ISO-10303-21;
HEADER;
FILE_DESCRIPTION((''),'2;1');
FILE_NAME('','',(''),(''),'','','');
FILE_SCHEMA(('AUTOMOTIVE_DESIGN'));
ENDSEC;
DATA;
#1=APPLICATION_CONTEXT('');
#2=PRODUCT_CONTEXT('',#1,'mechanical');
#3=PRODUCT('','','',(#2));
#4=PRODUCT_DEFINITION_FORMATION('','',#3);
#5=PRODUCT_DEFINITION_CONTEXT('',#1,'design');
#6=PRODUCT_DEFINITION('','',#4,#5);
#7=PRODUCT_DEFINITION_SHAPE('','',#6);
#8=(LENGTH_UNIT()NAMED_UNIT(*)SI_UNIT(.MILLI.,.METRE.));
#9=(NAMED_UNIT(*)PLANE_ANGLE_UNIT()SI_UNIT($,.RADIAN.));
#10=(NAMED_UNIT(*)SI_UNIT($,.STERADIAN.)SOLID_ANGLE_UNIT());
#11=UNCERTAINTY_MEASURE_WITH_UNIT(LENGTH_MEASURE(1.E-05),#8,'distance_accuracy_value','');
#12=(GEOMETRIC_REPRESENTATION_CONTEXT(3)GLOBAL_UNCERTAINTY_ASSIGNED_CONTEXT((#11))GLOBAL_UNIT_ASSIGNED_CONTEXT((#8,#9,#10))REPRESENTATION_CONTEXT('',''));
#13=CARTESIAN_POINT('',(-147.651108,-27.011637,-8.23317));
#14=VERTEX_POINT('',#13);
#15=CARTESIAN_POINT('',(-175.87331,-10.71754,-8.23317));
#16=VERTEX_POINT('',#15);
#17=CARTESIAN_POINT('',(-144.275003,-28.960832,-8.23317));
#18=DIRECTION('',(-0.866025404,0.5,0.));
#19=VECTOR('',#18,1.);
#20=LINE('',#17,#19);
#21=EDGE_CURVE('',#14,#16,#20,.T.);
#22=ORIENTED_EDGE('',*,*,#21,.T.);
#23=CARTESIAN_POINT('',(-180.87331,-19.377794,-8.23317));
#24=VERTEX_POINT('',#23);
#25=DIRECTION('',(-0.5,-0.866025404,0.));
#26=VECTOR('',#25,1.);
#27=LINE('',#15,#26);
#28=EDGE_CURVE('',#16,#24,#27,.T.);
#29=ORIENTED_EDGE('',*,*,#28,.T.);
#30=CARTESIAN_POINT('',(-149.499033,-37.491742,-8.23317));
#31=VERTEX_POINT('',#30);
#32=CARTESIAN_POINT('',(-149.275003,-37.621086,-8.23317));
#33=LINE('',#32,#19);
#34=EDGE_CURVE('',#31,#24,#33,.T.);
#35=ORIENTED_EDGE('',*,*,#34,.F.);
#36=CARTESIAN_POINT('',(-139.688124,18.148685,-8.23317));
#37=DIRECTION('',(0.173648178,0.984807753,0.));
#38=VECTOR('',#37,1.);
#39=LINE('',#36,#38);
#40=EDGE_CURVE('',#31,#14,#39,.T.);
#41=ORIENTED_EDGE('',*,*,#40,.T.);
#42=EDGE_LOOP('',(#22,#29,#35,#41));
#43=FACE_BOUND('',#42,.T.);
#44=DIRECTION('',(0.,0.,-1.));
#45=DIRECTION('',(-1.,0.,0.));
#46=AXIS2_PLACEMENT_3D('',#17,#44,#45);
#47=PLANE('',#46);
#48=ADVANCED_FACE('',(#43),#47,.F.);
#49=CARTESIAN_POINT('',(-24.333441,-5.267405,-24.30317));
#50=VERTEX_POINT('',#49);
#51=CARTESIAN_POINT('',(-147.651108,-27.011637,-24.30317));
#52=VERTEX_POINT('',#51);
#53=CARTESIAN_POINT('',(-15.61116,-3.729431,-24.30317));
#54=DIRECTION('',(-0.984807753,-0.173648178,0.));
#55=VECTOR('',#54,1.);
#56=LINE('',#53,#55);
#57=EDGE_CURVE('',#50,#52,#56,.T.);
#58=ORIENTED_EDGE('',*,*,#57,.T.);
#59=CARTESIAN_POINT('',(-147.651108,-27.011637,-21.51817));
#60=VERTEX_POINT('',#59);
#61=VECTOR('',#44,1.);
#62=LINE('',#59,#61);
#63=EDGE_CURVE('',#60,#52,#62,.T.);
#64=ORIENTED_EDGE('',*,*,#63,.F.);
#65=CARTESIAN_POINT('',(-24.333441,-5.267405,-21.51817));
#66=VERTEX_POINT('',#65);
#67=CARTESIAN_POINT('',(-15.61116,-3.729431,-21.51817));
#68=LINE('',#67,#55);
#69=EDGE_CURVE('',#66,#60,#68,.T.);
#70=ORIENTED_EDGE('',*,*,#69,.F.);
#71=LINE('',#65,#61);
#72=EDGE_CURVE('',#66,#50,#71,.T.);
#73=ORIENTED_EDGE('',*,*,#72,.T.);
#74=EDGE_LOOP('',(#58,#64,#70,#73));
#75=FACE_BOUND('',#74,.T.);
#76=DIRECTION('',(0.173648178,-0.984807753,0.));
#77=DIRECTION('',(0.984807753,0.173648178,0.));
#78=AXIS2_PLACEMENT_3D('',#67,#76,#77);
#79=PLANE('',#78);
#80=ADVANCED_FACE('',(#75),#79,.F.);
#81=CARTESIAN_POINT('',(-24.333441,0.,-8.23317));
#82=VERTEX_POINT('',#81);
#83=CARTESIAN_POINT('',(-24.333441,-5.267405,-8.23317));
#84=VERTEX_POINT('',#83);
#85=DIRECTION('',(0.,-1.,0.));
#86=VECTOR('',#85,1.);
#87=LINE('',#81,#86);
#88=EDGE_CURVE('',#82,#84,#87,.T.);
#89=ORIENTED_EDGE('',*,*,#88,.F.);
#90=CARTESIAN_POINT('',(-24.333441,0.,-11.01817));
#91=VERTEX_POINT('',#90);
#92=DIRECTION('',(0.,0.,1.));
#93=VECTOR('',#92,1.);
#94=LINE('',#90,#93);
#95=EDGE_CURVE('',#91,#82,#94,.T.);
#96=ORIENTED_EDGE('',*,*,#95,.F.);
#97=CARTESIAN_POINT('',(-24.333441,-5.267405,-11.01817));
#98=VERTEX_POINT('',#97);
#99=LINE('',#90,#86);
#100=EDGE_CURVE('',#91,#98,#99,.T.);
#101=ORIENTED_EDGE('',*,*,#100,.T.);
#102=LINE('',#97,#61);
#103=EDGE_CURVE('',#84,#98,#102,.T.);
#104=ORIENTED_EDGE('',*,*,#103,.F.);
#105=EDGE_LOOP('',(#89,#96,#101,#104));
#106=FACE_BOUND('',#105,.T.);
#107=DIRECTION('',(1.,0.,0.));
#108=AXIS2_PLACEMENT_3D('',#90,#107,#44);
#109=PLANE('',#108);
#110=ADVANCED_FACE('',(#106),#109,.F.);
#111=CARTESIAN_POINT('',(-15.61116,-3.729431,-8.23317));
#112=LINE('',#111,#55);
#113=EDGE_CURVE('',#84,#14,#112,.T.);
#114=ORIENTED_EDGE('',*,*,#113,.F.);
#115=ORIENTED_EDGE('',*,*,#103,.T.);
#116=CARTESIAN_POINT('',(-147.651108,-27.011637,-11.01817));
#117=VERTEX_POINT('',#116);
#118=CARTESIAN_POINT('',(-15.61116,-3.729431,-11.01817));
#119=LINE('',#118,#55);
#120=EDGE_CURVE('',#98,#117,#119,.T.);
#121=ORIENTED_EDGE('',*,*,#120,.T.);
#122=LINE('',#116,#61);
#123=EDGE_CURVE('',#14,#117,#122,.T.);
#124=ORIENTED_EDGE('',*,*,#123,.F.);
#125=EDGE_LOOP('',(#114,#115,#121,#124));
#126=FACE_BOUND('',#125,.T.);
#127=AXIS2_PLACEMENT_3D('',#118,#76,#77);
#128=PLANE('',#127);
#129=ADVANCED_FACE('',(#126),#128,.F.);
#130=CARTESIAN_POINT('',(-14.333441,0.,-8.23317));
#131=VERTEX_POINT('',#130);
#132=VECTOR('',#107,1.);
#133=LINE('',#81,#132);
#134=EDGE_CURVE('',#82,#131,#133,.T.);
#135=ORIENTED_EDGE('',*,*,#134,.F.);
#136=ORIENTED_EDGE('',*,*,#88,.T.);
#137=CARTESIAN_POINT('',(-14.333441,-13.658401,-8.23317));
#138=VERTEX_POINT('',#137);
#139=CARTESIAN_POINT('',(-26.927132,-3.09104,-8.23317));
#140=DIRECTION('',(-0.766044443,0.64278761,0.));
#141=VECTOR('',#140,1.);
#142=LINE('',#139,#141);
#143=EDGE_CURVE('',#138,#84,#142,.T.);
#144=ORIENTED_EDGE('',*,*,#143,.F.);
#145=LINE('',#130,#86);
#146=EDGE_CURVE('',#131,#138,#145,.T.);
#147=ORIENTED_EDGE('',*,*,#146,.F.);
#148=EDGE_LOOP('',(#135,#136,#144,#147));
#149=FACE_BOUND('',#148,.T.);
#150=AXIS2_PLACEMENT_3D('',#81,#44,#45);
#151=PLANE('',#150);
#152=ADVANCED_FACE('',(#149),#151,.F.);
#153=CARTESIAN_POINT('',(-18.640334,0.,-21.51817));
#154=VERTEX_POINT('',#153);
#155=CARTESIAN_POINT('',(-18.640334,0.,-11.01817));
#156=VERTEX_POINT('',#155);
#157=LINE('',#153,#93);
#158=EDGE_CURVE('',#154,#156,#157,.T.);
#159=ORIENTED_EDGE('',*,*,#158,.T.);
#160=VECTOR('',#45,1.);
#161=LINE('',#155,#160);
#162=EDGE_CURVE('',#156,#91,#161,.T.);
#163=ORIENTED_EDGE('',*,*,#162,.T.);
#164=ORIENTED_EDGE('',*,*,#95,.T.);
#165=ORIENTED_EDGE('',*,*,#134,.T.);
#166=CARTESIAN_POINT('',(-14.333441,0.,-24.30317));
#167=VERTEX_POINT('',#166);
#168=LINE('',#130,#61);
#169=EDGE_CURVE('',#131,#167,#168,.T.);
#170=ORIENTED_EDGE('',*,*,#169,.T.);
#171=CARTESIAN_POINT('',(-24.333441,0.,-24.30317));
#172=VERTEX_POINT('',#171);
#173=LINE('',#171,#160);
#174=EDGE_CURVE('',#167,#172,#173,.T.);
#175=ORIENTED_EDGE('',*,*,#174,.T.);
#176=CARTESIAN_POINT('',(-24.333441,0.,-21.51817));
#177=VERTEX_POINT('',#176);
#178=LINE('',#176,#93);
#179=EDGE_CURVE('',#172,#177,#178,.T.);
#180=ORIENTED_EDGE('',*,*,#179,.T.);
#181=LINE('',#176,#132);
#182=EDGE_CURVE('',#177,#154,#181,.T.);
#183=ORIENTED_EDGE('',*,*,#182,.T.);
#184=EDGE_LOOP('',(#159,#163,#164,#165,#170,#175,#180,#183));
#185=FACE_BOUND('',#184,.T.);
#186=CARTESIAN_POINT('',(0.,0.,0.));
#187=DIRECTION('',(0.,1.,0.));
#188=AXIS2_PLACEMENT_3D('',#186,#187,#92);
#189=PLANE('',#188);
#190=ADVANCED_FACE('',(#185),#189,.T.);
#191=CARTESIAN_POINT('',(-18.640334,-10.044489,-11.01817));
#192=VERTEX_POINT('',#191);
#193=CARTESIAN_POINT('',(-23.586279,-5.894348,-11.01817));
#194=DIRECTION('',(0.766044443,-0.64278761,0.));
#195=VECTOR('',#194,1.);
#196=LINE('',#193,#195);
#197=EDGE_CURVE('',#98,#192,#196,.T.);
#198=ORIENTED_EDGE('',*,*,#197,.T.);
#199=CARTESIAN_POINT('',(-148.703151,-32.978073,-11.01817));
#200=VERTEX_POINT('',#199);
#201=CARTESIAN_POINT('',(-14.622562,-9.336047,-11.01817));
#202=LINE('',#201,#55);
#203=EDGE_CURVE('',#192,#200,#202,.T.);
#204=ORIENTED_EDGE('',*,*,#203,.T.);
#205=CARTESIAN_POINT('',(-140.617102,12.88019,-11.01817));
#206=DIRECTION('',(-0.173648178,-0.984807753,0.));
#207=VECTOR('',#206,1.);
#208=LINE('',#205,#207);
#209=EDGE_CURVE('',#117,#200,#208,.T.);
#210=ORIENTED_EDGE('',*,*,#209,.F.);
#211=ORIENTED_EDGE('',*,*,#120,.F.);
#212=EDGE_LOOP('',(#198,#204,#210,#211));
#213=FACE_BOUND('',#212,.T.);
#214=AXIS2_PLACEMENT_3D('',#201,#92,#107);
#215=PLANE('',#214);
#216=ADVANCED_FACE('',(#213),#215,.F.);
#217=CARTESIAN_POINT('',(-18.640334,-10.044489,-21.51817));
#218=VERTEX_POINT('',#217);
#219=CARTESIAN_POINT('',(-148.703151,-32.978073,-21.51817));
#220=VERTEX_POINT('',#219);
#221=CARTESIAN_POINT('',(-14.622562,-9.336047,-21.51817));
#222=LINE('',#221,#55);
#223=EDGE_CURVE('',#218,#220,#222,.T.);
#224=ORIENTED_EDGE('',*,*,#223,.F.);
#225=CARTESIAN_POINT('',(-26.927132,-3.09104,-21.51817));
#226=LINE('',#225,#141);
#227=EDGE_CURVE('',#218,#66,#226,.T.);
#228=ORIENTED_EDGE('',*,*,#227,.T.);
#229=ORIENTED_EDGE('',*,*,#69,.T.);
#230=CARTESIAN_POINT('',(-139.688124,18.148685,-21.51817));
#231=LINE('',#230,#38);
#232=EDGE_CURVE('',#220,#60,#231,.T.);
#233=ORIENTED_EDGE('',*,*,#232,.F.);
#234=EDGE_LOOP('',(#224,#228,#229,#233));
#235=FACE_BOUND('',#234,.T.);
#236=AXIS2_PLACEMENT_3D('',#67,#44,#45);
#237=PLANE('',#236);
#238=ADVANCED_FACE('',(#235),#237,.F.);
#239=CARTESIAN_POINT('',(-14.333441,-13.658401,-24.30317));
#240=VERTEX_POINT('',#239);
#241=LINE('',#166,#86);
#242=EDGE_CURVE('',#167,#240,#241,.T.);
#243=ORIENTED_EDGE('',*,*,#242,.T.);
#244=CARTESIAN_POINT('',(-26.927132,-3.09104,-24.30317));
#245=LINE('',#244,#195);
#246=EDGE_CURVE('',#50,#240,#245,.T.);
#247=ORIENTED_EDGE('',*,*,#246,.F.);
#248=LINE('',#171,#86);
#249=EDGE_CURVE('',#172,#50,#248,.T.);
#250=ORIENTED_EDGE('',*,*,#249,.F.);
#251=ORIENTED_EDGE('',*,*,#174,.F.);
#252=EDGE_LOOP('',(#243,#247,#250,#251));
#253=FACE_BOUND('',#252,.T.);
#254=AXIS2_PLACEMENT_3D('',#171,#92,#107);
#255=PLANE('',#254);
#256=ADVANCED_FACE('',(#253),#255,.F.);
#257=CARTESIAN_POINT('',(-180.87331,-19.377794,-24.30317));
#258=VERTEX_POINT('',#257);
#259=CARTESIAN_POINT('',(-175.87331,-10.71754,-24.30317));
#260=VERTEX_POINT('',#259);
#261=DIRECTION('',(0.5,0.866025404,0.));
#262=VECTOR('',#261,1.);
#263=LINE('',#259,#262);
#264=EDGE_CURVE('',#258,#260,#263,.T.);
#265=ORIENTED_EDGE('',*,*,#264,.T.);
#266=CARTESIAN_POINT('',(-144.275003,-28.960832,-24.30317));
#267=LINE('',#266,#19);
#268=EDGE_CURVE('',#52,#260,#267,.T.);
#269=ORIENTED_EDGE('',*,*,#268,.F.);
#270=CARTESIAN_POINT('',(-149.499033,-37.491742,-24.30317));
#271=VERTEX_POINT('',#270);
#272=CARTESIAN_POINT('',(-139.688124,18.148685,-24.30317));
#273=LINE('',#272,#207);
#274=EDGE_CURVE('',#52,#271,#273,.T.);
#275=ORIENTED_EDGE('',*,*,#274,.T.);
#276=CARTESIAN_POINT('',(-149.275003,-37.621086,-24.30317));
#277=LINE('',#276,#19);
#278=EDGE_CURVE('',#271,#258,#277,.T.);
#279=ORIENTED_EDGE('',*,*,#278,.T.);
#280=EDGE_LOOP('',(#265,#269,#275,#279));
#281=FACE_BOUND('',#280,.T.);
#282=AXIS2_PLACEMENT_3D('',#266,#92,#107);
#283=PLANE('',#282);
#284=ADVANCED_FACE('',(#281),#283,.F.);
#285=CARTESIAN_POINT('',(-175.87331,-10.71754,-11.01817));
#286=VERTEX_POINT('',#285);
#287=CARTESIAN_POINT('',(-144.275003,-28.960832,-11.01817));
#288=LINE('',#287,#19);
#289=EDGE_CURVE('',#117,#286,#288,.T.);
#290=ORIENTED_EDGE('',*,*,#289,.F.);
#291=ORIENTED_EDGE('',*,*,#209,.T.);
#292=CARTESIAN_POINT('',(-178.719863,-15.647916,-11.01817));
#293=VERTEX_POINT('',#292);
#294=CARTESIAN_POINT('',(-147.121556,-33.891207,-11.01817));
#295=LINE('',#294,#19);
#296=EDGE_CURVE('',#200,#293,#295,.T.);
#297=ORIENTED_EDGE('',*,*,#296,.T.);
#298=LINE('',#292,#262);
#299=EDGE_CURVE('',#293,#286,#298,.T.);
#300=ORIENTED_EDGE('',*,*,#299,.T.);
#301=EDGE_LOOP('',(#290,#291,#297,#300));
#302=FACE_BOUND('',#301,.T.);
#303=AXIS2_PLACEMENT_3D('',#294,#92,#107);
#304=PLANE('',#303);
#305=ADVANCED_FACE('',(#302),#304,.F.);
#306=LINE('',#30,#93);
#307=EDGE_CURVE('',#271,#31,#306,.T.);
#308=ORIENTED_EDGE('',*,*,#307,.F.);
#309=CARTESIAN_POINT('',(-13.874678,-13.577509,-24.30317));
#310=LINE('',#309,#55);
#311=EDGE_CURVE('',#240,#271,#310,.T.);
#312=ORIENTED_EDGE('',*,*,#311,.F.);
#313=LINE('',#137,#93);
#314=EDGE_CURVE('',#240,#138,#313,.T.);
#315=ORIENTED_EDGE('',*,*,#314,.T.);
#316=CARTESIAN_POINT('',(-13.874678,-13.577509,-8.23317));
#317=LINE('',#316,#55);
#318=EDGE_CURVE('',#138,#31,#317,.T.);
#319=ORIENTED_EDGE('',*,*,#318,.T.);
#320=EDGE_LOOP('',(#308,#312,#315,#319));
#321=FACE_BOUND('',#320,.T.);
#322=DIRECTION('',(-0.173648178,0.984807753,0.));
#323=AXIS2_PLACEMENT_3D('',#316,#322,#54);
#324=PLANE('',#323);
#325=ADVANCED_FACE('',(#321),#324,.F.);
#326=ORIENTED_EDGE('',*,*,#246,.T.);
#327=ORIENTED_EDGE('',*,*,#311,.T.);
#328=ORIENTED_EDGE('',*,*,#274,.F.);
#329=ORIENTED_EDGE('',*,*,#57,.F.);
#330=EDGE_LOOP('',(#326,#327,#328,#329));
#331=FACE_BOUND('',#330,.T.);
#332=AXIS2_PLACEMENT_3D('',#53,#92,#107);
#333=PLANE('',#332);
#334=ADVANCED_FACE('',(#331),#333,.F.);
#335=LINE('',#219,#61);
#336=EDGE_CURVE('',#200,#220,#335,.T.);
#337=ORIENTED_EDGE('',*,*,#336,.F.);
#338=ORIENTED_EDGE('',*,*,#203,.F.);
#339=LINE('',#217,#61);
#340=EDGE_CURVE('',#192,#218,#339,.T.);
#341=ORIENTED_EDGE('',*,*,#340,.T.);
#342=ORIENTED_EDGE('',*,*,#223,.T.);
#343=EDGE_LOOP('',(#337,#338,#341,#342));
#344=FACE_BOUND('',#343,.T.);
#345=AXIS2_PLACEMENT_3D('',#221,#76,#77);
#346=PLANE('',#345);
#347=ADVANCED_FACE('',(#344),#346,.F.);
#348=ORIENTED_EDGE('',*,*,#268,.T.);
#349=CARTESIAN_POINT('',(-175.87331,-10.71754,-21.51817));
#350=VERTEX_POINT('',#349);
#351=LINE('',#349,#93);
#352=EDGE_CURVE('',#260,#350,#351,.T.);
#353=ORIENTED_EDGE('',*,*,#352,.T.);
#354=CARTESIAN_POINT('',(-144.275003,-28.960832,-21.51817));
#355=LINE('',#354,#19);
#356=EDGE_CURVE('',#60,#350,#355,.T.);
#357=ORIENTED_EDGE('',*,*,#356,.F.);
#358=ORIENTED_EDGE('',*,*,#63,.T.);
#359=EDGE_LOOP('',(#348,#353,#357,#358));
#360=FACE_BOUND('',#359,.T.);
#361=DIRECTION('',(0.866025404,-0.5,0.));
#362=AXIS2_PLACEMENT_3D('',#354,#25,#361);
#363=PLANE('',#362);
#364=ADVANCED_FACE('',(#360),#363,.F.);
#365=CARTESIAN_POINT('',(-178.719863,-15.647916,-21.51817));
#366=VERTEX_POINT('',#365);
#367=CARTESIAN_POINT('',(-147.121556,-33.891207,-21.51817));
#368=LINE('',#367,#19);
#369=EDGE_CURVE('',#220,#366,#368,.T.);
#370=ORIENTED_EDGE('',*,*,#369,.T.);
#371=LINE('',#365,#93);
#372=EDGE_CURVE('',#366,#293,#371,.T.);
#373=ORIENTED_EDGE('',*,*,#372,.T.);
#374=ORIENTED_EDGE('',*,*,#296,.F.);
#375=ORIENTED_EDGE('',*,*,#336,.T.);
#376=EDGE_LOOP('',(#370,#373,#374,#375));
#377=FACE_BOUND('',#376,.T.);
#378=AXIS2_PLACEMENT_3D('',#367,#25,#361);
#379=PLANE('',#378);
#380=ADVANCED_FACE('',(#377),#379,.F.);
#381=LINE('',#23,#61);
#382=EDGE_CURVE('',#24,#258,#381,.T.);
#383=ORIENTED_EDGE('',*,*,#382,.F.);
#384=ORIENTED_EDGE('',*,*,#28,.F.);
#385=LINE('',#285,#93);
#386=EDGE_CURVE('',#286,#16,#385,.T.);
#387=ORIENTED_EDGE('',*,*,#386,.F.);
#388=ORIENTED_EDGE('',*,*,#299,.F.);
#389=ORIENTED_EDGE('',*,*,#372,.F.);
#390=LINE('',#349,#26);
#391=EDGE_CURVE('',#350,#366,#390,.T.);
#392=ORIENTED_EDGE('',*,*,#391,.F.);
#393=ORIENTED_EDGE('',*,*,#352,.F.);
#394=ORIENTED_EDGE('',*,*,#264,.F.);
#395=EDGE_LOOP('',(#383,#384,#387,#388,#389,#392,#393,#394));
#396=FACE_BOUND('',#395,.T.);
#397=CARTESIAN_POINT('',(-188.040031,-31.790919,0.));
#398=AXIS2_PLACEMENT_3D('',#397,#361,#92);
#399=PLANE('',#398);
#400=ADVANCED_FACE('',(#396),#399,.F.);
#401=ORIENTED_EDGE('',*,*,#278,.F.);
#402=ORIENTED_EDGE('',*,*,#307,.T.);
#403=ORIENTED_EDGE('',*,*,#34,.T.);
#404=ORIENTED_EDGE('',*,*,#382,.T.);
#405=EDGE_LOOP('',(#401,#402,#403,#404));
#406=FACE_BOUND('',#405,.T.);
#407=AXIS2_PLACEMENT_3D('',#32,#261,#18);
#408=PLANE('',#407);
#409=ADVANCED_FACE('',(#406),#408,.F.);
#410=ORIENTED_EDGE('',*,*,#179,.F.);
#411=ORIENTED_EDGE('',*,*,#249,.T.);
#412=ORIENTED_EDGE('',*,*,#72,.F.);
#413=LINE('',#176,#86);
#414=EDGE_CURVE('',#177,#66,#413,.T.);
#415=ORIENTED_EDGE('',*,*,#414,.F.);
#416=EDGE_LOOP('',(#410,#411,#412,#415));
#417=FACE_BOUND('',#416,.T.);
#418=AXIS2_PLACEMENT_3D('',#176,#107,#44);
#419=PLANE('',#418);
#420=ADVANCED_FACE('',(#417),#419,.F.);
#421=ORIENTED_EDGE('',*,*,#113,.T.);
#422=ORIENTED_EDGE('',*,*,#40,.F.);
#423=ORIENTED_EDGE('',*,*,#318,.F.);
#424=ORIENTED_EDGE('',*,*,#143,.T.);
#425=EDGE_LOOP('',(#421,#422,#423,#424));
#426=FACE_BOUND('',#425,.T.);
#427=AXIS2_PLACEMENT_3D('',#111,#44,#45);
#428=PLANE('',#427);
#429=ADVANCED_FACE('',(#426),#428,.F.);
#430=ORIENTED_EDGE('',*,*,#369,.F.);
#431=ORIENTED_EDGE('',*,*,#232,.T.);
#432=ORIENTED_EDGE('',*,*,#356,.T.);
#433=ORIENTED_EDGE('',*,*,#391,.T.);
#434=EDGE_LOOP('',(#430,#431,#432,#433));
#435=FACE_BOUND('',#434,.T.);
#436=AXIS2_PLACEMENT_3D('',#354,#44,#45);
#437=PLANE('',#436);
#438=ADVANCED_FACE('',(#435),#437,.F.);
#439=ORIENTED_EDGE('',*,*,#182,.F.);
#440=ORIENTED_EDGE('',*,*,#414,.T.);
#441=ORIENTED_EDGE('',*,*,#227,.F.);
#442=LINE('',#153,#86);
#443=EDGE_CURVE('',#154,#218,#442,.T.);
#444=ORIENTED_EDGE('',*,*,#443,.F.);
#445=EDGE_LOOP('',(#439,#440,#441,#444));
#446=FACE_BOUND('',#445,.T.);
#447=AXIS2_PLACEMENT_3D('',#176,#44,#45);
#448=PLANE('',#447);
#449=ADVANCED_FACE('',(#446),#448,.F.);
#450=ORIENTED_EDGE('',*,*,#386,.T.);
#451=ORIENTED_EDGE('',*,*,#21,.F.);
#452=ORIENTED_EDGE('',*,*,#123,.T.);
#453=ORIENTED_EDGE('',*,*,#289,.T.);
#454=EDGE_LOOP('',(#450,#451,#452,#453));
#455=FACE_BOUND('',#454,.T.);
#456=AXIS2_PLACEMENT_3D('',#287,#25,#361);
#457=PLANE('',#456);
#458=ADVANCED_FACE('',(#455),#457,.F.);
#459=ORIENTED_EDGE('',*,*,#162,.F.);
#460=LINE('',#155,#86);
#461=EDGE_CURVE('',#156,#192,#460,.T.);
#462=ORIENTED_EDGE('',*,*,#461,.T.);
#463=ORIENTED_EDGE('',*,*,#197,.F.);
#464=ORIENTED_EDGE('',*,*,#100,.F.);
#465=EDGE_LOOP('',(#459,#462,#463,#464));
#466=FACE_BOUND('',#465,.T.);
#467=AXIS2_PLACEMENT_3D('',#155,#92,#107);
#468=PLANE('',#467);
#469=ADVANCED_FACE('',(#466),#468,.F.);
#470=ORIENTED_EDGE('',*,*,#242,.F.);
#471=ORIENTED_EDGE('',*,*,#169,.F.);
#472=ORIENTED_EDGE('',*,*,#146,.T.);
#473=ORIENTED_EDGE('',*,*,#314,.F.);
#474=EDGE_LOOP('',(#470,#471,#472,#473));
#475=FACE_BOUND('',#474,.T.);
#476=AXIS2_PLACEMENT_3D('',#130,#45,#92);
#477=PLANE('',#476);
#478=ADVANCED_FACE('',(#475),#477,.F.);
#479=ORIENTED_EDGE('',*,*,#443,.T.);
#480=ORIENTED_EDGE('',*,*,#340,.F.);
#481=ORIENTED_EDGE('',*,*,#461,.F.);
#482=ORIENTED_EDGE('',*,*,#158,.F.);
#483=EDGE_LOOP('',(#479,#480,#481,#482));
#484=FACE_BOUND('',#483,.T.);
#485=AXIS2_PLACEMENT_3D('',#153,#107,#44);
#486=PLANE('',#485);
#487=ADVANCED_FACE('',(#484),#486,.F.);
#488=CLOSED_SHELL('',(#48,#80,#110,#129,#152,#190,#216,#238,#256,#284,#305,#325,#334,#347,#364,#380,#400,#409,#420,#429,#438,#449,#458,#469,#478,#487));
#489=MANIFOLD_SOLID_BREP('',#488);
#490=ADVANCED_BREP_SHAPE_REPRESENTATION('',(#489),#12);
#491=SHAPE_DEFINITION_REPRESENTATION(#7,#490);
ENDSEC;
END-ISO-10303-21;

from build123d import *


with BuildPart() as part:
    # 扫描2: sweep along a path in 草图2
    with BuildLine(Plane(origin=(0, 0, -16.268170321), x_dir=(-1, 0, 0), z_dir=(0, 0, -1))) as sweep_2_path:
        Line((18.693353683, 0), (18.693353683, -10))
        Line((18.693353683, -10), (148.693353683, -32.922507492))
        Line((148.693353683, -32.922507492), (178.693353683, -15.601999416))
    # 草图1 → 扫描2 (sweep)
    with BuildSketch(Plane(origin=(0, 0, 0), x_dir=(1, 0, 0), z_dir=(0, 1, 0))):
        Polygon((-24.333441136, 21.518170321), (-24.333441136, 24.303170321), (-14.333441136, 24.303170321), (-14.333441136, 8.233170321), (-24.333441136, 8.233170321), (-24.333441136, 11.018170321), (-18.640334153, 11.018170321), (-18.640334153, 21.518170321), align=None)
    sweep(path=sweep_2_path.line, transition=Transition.RIGHT)


solid = part.part
